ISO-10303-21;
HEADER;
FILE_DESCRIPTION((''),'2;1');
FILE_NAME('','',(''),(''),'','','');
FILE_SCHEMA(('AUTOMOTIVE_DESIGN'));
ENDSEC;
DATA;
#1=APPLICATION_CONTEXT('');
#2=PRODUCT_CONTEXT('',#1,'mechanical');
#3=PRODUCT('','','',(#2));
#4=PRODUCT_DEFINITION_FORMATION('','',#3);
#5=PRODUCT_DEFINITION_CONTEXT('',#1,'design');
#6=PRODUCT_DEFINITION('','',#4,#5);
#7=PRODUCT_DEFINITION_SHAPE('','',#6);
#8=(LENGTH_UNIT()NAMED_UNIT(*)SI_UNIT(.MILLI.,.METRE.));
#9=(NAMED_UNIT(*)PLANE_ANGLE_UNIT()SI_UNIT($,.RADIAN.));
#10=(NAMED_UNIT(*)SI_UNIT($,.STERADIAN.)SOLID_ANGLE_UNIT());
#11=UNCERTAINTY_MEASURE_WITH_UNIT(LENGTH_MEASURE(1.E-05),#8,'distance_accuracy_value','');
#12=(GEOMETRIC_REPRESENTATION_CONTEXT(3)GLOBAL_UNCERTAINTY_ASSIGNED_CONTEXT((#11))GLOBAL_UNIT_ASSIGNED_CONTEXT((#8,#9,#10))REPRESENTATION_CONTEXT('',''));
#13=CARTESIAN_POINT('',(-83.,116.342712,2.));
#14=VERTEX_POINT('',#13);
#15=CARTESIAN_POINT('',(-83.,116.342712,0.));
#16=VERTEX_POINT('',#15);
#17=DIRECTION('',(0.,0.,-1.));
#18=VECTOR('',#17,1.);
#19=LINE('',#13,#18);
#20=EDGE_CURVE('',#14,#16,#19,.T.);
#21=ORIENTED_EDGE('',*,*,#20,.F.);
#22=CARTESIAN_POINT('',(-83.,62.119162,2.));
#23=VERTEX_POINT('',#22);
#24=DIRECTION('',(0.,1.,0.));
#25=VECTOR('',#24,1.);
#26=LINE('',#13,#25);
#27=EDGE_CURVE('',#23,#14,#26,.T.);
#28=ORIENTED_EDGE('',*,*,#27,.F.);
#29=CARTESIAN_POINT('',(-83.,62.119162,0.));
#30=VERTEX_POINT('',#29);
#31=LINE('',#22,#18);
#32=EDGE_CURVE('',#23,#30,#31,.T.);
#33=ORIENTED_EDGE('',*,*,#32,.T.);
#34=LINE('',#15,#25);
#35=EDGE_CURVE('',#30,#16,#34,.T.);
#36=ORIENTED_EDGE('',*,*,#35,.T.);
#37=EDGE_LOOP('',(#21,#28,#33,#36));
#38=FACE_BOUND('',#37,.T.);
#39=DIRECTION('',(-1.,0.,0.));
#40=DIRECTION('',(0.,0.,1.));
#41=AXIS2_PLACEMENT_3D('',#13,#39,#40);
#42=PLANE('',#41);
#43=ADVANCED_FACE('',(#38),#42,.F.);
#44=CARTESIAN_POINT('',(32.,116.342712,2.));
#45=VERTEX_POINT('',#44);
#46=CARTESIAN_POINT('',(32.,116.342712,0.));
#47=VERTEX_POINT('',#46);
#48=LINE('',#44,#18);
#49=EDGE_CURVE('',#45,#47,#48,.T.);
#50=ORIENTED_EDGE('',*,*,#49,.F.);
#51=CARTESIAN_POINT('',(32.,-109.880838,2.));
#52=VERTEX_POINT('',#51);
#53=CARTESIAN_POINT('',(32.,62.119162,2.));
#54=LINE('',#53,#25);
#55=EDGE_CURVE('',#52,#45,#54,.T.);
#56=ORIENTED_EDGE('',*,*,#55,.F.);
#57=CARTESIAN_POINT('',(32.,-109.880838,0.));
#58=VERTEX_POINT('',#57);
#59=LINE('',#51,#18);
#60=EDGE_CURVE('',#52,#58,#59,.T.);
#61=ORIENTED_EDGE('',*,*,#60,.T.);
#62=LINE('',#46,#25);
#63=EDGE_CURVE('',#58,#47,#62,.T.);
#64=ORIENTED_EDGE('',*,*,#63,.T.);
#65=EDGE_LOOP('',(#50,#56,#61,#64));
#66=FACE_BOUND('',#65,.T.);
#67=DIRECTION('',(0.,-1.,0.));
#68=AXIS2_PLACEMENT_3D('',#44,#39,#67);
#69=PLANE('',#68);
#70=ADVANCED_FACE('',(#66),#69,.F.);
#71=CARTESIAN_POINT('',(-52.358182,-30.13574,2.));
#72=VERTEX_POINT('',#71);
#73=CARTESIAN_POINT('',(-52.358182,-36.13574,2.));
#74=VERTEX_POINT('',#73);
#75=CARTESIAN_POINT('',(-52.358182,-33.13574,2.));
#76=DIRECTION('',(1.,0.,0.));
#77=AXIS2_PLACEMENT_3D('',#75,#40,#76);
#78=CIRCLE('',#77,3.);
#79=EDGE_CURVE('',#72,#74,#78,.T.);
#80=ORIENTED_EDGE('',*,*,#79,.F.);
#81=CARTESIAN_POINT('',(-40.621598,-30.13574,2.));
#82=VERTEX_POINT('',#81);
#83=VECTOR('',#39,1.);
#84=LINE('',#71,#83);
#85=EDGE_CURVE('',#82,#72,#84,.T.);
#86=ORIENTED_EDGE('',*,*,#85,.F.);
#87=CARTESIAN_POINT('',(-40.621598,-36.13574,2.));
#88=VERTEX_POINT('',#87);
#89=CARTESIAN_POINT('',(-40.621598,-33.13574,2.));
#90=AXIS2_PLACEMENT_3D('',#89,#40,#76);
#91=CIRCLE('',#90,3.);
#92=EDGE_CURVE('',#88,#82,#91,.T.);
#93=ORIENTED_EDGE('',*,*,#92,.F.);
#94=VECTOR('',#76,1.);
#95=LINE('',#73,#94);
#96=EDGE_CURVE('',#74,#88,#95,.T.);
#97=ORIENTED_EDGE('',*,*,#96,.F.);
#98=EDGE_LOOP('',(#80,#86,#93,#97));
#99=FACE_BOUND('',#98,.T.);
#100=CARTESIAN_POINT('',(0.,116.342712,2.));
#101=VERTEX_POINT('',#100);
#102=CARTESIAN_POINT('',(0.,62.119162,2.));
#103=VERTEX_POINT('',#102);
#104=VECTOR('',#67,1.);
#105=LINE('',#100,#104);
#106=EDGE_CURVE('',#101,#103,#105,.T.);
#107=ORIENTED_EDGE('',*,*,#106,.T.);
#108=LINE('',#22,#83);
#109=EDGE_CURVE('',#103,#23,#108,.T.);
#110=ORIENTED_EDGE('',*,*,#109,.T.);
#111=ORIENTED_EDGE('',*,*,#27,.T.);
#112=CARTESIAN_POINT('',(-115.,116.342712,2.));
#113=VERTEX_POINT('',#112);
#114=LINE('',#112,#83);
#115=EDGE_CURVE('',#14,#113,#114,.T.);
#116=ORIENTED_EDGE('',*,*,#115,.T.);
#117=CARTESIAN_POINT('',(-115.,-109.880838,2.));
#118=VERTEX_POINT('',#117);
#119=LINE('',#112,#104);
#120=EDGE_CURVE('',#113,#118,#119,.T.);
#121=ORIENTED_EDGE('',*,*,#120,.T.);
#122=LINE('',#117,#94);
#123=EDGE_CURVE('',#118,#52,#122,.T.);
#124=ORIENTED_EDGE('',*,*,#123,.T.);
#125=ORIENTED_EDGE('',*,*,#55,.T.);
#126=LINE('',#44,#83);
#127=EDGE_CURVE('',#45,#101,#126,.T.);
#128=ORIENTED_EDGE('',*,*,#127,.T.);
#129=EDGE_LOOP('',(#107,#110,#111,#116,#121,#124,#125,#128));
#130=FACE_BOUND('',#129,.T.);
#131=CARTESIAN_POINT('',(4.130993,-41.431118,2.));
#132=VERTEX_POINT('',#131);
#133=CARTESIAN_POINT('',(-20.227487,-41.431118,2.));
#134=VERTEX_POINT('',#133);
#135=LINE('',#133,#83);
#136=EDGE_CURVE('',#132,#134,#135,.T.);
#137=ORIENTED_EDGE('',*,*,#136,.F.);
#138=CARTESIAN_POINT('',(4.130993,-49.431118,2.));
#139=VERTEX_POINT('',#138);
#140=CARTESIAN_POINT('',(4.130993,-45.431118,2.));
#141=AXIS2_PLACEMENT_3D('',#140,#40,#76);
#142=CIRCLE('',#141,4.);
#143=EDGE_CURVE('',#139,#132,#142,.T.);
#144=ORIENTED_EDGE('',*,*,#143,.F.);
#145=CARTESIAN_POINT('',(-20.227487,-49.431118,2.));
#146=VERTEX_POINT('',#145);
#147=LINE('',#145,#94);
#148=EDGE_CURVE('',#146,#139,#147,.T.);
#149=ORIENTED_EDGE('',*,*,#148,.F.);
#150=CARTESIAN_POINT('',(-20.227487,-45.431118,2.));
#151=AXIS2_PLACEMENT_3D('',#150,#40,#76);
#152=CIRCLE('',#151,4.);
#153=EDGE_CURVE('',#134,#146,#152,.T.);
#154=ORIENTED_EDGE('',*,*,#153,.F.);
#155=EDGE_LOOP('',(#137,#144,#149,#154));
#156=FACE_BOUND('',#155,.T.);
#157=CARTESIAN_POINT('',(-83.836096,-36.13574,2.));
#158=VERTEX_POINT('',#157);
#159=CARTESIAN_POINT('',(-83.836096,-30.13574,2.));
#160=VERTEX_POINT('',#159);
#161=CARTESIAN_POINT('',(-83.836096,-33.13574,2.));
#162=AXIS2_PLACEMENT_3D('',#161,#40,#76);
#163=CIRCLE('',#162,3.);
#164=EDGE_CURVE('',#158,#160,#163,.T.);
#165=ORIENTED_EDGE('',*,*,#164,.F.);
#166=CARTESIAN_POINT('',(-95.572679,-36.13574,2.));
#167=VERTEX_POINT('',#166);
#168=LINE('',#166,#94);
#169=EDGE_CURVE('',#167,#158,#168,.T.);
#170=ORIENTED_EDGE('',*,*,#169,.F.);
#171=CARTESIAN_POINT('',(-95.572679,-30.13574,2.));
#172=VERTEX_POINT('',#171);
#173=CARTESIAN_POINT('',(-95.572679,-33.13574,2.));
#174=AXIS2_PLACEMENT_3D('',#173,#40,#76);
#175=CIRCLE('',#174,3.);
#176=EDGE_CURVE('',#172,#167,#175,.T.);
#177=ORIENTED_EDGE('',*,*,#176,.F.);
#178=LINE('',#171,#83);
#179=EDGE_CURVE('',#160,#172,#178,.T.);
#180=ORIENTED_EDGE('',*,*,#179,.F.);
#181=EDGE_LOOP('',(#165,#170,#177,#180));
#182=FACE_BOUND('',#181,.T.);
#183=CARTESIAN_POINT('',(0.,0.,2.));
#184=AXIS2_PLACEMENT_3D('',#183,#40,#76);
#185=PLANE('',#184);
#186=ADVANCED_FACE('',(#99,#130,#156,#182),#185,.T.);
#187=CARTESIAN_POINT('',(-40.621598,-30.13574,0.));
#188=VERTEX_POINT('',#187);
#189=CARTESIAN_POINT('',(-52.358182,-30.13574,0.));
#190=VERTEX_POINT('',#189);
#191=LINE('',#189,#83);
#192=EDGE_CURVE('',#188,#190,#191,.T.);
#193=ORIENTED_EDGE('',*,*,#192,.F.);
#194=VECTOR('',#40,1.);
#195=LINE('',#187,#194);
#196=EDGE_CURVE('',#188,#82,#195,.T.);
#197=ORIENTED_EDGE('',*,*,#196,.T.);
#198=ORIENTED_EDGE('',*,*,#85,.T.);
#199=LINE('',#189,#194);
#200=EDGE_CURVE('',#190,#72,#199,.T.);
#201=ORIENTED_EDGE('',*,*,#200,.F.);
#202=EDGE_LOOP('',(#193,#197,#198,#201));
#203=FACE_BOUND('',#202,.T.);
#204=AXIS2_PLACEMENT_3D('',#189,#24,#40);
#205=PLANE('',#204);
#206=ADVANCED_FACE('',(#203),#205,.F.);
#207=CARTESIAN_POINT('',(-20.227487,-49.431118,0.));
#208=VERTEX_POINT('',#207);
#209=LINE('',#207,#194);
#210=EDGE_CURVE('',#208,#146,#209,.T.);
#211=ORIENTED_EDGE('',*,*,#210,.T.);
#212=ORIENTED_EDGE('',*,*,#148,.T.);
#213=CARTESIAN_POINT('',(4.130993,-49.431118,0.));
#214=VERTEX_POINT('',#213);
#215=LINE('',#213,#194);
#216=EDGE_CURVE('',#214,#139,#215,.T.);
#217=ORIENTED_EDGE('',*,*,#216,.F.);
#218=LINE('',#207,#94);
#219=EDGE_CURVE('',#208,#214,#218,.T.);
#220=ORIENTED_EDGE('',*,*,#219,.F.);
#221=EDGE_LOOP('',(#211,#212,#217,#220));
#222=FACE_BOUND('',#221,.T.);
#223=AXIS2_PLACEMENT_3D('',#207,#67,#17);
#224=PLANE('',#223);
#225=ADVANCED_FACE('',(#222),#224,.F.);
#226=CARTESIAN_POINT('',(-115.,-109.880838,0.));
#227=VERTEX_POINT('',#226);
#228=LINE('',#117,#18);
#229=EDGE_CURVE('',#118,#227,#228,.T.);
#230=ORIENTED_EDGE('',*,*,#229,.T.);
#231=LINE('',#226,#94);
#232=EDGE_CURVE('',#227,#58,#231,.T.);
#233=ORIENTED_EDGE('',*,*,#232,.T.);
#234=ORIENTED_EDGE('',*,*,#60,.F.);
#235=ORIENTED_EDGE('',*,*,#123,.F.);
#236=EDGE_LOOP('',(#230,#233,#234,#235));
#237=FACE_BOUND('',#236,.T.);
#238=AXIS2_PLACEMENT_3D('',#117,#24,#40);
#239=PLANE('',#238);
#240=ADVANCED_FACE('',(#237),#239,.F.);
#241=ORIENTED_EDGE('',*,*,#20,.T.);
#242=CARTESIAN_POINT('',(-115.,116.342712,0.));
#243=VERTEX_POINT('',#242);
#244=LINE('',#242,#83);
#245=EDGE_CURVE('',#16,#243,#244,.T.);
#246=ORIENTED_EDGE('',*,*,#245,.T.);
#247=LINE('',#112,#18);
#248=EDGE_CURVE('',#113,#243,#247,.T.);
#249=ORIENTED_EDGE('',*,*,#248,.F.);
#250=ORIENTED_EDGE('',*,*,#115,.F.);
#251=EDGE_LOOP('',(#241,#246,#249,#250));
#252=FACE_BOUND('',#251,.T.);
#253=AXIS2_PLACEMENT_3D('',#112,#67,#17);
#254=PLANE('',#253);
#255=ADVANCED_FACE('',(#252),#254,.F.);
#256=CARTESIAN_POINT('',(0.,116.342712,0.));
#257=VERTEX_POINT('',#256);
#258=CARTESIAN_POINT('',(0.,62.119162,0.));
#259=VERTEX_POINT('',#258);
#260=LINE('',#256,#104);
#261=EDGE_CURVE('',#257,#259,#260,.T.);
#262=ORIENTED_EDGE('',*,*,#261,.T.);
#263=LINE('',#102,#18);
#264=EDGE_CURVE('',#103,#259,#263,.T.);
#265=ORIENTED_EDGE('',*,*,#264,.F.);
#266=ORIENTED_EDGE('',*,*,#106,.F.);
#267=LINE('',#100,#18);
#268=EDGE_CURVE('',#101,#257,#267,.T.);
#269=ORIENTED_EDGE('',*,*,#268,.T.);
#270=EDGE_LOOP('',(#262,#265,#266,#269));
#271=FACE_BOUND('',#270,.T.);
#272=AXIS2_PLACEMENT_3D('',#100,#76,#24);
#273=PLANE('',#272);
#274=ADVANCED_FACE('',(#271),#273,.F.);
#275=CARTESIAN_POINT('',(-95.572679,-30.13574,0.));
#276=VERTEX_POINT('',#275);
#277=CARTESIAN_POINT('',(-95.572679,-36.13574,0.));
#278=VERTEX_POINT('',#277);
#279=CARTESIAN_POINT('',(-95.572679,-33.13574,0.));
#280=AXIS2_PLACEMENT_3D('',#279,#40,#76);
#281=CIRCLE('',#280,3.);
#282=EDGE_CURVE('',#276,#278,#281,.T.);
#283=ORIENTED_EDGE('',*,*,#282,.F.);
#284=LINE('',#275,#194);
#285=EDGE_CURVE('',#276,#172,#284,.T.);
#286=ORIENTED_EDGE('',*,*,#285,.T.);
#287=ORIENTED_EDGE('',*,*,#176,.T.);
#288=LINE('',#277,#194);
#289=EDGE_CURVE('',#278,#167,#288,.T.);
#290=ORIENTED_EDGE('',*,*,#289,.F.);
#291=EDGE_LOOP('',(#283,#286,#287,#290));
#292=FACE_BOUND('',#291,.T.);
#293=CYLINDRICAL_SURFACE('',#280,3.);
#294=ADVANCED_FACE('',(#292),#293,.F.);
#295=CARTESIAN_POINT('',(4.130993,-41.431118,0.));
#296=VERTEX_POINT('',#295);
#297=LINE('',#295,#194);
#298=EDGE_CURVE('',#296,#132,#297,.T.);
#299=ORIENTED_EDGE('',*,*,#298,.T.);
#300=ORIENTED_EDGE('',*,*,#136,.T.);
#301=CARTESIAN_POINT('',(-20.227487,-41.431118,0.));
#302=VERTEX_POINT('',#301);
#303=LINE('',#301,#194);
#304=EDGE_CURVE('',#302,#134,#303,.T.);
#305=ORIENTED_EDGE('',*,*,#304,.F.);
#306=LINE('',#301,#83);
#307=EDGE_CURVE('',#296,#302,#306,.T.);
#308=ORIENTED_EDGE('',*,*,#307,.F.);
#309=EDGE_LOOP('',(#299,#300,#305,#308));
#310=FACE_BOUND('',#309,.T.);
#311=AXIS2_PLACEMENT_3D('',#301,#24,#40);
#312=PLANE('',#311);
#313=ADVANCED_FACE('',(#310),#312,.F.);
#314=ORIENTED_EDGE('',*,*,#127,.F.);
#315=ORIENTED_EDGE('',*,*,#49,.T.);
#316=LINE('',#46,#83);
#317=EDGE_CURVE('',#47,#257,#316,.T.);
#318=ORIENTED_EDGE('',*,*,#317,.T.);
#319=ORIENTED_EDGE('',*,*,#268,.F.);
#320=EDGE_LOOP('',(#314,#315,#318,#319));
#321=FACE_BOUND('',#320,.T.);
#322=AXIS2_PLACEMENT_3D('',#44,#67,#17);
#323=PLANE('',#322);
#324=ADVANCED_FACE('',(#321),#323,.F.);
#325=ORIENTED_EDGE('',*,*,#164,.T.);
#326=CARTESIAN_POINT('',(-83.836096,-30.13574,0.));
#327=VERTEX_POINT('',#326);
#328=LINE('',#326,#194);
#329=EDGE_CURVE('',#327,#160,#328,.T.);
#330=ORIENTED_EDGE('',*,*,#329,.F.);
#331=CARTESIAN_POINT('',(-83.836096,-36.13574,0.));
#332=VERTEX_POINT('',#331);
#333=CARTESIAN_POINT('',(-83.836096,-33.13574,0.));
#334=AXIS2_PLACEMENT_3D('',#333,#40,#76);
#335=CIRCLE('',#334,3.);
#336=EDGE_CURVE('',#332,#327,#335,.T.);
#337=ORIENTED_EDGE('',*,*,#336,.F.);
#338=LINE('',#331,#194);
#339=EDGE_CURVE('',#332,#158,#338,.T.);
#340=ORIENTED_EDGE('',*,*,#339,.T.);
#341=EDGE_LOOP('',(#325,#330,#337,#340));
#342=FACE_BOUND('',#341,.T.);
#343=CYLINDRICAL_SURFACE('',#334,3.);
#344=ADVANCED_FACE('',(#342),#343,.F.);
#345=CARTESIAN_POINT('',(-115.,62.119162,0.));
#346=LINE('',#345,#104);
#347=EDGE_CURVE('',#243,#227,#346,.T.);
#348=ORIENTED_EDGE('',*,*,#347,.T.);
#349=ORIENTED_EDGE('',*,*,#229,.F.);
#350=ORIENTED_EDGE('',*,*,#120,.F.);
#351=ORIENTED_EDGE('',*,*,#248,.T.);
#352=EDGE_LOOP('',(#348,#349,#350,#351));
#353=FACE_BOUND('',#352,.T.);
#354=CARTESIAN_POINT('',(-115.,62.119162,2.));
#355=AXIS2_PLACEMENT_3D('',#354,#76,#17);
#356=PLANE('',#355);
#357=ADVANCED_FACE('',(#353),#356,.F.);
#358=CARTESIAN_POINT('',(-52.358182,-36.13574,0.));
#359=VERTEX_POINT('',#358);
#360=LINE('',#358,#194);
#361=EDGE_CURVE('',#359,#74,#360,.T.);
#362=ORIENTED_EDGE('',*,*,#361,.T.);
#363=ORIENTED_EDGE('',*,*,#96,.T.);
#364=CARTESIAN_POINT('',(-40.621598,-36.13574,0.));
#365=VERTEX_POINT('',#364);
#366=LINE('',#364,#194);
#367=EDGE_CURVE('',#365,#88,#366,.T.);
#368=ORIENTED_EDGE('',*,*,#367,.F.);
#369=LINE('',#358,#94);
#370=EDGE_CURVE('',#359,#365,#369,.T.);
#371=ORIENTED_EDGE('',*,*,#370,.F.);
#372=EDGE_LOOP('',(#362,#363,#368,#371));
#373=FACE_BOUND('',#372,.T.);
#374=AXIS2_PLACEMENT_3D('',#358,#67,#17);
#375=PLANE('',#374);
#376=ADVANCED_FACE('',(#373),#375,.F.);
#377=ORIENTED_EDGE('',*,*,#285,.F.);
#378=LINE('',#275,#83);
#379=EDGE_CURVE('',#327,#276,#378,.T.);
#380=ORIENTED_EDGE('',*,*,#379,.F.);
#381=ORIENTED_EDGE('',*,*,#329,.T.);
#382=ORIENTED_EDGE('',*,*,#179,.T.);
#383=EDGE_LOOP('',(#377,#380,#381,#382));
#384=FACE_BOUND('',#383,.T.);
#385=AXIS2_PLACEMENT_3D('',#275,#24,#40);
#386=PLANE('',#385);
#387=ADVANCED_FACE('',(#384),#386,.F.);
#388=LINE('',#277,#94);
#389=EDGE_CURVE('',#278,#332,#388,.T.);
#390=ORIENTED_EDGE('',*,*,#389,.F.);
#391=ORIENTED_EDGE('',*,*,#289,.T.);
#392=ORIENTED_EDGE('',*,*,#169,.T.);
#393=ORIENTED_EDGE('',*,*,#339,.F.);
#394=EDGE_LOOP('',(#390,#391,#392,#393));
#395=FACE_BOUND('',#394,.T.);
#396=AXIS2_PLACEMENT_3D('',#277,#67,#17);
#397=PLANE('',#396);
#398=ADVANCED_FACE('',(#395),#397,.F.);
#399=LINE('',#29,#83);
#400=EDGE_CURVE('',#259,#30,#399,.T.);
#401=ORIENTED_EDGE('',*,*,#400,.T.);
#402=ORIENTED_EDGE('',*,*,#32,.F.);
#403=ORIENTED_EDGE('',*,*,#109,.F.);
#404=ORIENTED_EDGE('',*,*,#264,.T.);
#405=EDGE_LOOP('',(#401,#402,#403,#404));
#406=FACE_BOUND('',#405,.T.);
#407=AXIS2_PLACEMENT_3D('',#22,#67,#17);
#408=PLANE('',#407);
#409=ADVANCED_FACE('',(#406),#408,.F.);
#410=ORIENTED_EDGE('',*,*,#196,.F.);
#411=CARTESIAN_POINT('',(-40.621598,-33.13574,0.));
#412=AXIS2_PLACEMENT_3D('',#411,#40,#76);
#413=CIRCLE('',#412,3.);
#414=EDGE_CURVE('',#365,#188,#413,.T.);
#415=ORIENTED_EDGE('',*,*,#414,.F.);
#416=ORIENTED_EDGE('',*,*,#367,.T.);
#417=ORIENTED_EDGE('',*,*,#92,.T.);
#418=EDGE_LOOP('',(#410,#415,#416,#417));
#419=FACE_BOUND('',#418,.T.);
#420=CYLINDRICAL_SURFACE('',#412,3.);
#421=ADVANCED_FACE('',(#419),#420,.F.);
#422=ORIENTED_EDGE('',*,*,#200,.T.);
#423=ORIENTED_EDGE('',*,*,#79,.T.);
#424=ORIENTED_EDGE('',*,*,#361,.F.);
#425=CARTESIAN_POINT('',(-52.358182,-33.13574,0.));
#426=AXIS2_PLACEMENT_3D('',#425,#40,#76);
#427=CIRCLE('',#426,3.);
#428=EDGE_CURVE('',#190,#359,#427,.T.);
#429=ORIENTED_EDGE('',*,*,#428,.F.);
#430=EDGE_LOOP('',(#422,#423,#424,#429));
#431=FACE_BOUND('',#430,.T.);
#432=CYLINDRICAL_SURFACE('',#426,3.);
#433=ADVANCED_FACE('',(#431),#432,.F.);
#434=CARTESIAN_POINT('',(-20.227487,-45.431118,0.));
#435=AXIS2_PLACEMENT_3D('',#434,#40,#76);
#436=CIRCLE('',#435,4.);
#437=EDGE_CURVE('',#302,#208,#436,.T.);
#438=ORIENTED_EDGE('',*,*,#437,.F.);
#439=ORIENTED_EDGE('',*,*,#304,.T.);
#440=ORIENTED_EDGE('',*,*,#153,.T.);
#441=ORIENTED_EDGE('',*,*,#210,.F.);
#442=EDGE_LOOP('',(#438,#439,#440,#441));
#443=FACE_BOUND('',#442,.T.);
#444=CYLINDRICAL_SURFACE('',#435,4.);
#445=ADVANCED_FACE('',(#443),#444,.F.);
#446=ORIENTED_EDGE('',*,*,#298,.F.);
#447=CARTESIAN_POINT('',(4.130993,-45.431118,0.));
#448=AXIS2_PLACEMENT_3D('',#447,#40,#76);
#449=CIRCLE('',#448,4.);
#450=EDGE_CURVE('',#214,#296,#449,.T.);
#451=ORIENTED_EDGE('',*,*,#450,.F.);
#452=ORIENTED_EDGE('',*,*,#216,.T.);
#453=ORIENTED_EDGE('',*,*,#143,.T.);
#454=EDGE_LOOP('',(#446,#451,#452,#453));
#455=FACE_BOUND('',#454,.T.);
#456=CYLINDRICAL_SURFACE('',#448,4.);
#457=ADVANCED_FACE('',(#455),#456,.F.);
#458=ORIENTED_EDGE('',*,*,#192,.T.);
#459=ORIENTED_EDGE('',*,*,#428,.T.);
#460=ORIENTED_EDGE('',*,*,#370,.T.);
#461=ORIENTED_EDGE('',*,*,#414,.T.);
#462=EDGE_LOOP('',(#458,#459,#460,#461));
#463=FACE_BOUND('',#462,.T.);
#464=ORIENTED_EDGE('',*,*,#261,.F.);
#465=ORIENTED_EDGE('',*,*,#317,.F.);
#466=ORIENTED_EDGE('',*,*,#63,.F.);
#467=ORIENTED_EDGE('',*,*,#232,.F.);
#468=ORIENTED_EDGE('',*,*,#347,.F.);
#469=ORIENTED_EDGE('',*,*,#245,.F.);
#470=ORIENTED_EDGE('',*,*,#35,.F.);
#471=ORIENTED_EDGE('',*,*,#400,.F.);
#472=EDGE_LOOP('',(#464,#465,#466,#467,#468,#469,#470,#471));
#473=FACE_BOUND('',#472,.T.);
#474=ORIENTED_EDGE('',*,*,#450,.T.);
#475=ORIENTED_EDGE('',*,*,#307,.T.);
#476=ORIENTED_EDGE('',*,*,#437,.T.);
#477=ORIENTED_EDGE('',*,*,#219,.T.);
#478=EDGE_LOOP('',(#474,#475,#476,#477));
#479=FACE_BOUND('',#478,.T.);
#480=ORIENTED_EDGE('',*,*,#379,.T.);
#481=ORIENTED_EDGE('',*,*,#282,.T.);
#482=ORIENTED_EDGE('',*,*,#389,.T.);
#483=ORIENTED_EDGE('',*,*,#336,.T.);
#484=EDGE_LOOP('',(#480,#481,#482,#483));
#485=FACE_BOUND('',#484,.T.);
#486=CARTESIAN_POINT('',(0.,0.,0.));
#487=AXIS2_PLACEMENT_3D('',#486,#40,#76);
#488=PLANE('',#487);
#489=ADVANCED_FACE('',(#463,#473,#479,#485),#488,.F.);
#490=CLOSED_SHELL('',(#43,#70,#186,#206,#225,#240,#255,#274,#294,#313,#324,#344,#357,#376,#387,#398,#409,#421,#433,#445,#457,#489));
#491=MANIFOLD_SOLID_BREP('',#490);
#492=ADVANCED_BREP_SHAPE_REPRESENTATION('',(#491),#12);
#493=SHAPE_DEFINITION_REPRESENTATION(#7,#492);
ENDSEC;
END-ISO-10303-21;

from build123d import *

# Parameters (mm, degrees)
EXTRUDE_1_DEPTH     = 2
CUT_EXTRUDE_1_DEPTH = 2


with BuildPart() as part:
    # 草图1 → 凸台-拉伸1 (new body)
    with BuildSketch(Plane.XY):
        Polygon((-83, 62.119161838), (0, 62.119161838), (0, 116.342711697), (32, 116.342711697), (32, 62.119161838), (32, -109.880838162), (-115, -109.880838162), (-115, 62.119161838), (-115, 116.342711697), (-83, 116.342711697), align=None)
    extrude(amount=EXTRUDE_1_DEPTH)

    # 草图2 → 切除-拉伸1 (cut)
    with BuildSketch(Plane.XY.offset(2)):
        with BuildLine():
            Line((-20.227487309, -41.431118444), (4.13099273, -41.431118444))
            ThreePointArc((4.13099273, -41.431118444), (8.13099273, -45.431118444), (4.13099273, -49.431118444))
            Line((4.13099273, -49.431118444), (-20.227487309, -49.431118444))
            ThreePointArc((-20.227487309, -49.431118444), (-24.227487309, -45.431118444), (-20.227487309, -41.431118444))
        make_face()
        with BuildLine():
            Line((-95.572678874, -30.135740054), (-83.83609572, -30.135740054))
            ThreePointArc((-83.83609572, -30.135740054), (-80.83609572, -33.135740054), (-83.83609572, -36.135740054))
            Line((-83.83609572, -36.135740054), (-95.572678874, -36.135740054))
            ThreePointArc((-95.572678874, -36.135740054), (-98.572678874, -33.135740054), (-95.572678874, -30.135740054))
        make_face()
        with BuildLine():
            Line((-52.358181563, -30.135740054), (-40.621598408, -30.135740054))
            ThreePointArc((-40.621598408, -30.135740054), (-37.621598408, -33.135740054), (-40.621598408, -36.135740054))
            Line((-40.621598408, -36.135740054), (-52.358181563, -36.135740054))
            ThreePointArc((-52.358181563, -36.135740054), (-55.358181563, -33.135740054), (-52.358181563, -30.135740054))
        make_face()
    extrude(amount=-CUT_EXTRUDE_1_DEPTH, mode=Mode.SUBTRACT)


solid = part.part
